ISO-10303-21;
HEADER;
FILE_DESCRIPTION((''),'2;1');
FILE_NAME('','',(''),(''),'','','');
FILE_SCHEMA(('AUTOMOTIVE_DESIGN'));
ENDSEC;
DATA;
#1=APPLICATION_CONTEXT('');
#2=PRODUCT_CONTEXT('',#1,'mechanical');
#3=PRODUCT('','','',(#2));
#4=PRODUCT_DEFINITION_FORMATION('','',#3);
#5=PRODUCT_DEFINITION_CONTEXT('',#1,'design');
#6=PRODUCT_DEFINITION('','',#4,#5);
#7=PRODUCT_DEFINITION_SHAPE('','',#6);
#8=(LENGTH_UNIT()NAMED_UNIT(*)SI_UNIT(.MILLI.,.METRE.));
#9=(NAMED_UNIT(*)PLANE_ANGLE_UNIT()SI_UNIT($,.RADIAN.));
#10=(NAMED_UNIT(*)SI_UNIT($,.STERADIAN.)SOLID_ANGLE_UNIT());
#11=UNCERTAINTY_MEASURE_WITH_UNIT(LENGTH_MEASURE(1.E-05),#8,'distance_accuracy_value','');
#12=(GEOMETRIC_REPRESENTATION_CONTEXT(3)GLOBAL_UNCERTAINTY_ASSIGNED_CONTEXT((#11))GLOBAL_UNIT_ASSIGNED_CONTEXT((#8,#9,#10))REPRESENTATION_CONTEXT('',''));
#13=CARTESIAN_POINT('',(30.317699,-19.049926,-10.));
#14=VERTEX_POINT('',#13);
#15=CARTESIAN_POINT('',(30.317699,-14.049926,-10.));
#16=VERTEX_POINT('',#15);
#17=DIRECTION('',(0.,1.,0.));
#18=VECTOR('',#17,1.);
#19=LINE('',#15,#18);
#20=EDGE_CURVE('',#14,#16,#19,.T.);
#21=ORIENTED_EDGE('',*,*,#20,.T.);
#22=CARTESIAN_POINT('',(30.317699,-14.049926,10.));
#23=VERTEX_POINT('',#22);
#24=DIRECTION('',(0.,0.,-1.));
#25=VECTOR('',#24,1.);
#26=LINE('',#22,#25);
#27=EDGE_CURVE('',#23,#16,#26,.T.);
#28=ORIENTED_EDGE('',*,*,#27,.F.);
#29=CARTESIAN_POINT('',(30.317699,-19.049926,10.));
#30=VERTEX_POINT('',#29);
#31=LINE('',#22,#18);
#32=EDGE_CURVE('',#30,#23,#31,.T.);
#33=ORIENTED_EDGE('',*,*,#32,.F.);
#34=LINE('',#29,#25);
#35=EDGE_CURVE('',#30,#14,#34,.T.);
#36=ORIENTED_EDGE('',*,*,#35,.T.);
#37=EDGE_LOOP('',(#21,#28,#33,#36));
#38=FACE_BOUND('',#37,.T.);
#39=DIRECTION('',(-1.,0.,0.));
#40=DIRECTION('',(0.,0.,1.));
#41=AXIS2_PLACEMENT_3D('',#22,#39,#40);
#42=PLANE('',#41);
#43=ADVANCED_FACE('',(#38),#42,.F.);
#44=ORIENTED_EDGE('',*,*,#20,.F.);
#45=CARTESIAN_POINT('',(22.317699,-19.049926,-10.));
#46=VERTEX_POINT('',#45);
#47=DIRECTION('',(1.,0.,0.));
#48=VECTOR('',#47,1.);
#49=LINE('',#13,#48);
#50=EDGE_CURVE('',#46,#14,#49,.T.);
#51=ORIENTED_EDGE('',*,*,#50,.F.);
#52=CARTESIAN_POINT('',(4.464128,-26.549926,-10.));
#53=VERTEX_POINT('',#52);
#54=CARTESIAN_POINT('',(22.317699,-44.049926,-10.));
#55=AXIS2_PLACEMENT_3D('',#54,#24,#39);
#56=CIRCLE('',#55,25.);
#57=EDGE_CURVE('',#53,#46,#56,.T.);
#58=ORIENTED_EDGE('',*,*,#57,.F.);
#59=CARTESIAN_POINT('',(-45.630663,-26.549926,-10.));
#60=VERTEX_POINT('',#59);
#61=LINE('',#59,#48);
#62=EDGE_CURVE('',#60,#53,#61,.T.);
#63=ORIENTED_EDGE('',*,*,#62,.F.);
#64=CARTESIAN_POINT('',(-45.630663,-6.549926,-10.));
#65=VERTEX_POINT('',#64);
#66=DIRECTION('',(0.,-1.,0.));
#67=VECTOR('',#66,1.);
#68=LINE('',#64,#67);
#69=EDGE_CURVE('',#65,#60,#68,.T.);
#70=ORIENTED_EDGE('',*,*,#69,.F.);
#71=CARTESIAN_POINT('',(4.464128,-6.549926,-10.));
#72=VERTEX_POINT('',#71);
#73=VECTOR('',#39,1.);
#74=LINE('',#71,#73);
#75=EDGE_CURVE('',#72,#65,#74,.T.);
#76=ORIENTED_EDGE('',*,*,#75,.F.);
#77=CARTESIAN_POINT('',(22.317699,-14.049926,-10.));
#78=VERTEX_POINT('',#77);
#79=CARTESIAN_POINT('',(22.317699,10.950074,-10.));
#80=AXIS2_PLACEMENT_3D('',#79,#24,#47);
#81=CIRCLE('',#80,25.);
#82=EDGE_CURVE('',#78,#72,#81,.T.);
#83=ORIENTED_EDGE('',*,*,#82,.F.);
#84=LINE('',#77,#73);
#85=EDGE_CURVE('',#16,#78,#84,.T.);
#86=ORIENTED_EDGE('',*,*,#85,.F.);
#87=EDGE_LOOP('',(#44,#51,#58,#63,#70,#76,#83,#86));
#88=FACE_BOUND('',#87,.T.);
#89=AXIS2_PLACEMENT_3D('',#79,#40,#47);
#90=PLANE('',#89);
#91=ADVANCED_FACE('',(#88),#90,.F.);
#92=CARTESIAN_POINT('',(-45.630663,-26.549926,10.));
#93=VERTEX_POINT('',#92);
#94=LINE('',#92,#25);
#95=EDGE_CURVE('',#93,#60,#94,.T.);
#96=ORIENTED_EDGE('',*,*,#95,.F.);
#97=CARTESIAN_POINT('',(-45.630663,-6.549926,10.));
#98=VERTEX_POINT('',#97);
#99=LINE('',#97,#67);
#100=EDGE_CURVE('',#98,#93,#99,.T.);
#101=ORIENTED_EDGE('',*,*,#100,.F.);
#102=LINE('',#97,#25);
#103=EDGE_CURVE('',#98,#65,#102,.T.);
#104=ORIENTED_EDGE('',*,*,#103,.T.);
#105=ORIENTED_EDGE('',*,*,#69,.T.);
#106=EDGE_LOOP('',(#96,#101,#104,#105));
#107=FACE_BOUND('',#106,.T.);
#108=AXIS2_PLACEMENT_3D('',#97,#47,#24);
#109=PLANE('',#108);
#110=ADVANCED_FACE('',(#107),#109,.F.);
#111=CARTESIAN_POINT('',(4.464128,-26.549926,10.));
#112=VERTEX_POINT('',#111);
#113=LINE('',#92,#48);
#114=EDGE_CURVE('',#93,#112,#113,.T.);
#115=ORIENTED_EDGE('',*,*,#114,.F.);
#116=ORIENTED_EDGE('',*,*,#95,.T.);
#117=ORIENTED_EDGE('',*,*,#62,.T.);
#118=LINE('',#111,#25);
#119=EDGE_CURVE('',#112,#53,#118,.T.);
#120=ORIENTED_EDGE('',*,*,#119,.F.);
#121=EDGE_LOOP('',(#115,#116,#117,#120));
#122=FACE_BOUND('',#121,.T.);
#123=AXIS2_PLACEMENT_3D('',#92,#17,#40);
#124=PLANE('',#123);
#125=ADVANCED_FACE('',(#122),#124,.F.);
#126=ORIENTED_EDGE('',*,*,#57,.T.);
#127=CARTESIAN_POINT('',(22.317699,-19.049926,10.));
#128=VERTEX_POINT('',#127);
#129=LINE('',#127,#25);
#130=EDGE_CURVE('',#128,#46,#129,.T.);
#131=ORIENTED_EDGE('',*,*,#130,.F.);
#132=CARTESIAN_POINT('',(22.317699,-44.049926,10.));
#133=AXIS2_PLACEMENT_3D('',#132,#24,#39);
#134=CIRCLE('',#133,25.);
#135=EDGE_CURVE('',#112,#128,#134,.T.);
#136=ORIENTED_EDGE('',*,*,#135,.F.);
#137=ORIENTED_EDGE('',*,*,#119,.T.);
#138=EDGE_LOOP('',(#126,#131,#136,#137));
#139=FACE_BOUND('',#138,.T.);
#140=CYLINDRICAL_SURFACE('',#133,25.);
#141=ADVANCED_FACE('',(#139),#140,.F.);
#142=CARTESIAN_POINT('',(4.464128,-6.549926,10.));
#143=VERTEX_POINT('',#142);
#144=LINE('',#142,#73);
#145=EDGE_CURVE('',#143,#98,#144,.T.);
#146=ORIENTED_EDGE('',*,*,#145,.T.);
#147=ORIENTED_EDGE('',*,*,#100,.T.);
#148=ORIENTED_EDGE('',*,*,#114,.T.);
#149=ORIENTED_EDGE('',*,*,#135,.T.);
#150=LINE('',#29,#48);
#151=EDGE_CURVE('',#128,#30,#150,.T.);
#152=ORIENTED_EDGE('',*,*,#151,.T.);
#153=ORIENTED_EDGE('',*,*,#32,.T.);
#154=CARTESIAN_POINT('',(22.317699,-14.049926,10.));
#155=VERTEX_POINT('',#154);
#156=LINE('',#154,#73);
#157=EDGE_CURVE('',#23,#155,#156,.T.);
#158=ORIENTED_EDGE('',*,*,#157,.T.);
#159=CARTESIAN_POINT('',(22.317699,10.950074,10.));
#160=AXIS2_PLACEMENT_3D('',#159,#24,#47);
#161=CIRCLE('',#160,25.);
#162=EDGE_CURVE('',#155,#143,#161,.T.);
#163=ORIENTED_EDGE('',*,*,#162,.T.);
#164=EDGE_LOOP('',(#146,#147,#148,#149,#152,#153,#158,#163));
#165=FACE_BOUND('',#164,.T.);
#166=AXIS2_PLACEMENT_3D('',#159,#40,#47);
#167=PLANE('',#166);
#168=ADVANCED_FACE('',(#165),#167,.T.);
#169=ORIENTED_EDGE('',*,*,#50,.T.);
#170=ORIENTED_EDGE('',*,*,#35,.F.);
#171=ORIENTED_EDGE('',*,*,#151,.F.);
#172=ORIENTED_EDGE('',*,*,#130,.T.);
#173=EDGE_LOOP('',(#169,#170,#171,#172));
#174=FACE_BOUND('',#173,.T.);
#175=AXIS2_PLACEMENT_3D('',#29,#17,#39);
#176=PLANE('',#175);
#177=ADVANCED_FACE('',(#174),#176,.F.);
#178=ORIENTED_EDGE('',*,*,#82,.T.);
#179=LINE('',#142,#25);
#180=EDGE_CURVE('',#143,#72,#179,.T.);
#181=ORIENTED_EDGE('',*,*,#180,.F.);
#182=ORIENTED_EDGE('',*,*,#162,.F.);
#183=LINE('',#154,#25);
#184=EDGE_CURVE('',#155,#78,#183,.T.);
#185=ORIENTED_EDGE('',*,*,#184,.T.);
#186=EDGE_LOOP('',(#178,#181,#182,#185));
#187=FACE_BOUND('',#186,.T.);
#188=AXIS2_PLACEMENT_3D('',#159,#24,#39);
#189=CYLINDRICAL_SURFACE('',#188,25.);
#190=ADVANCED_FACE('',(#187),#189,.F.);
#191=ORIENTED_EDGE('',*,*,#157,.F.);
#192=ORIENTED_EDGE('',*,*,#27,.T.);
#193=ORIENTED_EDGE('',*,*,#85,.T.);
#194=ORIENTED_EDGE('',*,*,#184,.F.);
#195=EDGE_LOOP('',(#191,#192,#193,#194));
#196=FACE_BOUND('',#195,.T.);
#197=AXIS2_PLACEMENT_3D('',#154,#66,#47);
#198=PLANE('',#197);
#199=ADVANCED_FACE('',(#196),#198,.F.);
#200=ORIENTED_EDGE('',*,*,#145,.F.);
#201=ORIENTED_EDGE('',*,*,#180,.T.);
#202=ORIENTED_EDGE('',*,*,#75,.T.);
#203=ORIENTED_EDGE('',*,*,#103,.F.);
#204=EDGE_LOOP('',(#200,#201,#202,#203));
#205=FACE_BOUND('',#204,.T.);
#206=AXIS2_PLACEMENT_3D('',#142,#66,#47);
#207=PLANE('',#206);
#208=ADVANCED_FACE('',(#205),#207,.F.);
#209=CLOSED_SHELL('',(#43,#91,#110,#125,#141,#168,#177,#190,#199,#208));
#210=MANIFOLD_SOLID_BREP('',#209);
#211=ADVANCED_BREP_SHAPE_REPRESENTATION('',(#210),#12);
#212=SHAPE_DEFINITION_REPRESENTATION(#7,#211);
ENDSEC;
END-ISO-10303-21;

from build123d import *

# Parameters (mm, degrees)
BOSS_EXTRUDE1_DEPTH = 10


with BuildPart() as part:
    # Sketch1 → Boss-Extrude1 (new, symmetric)
    with BuildSketch(Plane.XY):
        with BuildLine():
            Line((4.464127796, -6.549926282), (-45.630662582, -6.549926282))
            Line((-45.630662582, -6.549926282), (-45.630662582, -26.549926282))
            Line((-45.630662582, -26.549926282), (4.464127796, -26.549926282))
            ThreePointArc((4.464127796, -26.549926282), (12.635240502, -21.001065139), (22.317698867, -19.049926282))
            Line((22.317698867, -19.049926282), (30.317698867, -19.049926282))
            Line((30.317698867, -19.049926282), (30.317698867, -14.049926282))
            Line((30.317698867, -14.049926282), (22.317698867, -14.049926282))
            ThreePointArc((22.317698867, -14.049926282), (12.635240502, -12.098787426), (4.464127796, -6.549926282))
        make_face()
    extrude(amount=BOSS_EXTRUDE1_DEPTH, both=True)


solid = part.part
